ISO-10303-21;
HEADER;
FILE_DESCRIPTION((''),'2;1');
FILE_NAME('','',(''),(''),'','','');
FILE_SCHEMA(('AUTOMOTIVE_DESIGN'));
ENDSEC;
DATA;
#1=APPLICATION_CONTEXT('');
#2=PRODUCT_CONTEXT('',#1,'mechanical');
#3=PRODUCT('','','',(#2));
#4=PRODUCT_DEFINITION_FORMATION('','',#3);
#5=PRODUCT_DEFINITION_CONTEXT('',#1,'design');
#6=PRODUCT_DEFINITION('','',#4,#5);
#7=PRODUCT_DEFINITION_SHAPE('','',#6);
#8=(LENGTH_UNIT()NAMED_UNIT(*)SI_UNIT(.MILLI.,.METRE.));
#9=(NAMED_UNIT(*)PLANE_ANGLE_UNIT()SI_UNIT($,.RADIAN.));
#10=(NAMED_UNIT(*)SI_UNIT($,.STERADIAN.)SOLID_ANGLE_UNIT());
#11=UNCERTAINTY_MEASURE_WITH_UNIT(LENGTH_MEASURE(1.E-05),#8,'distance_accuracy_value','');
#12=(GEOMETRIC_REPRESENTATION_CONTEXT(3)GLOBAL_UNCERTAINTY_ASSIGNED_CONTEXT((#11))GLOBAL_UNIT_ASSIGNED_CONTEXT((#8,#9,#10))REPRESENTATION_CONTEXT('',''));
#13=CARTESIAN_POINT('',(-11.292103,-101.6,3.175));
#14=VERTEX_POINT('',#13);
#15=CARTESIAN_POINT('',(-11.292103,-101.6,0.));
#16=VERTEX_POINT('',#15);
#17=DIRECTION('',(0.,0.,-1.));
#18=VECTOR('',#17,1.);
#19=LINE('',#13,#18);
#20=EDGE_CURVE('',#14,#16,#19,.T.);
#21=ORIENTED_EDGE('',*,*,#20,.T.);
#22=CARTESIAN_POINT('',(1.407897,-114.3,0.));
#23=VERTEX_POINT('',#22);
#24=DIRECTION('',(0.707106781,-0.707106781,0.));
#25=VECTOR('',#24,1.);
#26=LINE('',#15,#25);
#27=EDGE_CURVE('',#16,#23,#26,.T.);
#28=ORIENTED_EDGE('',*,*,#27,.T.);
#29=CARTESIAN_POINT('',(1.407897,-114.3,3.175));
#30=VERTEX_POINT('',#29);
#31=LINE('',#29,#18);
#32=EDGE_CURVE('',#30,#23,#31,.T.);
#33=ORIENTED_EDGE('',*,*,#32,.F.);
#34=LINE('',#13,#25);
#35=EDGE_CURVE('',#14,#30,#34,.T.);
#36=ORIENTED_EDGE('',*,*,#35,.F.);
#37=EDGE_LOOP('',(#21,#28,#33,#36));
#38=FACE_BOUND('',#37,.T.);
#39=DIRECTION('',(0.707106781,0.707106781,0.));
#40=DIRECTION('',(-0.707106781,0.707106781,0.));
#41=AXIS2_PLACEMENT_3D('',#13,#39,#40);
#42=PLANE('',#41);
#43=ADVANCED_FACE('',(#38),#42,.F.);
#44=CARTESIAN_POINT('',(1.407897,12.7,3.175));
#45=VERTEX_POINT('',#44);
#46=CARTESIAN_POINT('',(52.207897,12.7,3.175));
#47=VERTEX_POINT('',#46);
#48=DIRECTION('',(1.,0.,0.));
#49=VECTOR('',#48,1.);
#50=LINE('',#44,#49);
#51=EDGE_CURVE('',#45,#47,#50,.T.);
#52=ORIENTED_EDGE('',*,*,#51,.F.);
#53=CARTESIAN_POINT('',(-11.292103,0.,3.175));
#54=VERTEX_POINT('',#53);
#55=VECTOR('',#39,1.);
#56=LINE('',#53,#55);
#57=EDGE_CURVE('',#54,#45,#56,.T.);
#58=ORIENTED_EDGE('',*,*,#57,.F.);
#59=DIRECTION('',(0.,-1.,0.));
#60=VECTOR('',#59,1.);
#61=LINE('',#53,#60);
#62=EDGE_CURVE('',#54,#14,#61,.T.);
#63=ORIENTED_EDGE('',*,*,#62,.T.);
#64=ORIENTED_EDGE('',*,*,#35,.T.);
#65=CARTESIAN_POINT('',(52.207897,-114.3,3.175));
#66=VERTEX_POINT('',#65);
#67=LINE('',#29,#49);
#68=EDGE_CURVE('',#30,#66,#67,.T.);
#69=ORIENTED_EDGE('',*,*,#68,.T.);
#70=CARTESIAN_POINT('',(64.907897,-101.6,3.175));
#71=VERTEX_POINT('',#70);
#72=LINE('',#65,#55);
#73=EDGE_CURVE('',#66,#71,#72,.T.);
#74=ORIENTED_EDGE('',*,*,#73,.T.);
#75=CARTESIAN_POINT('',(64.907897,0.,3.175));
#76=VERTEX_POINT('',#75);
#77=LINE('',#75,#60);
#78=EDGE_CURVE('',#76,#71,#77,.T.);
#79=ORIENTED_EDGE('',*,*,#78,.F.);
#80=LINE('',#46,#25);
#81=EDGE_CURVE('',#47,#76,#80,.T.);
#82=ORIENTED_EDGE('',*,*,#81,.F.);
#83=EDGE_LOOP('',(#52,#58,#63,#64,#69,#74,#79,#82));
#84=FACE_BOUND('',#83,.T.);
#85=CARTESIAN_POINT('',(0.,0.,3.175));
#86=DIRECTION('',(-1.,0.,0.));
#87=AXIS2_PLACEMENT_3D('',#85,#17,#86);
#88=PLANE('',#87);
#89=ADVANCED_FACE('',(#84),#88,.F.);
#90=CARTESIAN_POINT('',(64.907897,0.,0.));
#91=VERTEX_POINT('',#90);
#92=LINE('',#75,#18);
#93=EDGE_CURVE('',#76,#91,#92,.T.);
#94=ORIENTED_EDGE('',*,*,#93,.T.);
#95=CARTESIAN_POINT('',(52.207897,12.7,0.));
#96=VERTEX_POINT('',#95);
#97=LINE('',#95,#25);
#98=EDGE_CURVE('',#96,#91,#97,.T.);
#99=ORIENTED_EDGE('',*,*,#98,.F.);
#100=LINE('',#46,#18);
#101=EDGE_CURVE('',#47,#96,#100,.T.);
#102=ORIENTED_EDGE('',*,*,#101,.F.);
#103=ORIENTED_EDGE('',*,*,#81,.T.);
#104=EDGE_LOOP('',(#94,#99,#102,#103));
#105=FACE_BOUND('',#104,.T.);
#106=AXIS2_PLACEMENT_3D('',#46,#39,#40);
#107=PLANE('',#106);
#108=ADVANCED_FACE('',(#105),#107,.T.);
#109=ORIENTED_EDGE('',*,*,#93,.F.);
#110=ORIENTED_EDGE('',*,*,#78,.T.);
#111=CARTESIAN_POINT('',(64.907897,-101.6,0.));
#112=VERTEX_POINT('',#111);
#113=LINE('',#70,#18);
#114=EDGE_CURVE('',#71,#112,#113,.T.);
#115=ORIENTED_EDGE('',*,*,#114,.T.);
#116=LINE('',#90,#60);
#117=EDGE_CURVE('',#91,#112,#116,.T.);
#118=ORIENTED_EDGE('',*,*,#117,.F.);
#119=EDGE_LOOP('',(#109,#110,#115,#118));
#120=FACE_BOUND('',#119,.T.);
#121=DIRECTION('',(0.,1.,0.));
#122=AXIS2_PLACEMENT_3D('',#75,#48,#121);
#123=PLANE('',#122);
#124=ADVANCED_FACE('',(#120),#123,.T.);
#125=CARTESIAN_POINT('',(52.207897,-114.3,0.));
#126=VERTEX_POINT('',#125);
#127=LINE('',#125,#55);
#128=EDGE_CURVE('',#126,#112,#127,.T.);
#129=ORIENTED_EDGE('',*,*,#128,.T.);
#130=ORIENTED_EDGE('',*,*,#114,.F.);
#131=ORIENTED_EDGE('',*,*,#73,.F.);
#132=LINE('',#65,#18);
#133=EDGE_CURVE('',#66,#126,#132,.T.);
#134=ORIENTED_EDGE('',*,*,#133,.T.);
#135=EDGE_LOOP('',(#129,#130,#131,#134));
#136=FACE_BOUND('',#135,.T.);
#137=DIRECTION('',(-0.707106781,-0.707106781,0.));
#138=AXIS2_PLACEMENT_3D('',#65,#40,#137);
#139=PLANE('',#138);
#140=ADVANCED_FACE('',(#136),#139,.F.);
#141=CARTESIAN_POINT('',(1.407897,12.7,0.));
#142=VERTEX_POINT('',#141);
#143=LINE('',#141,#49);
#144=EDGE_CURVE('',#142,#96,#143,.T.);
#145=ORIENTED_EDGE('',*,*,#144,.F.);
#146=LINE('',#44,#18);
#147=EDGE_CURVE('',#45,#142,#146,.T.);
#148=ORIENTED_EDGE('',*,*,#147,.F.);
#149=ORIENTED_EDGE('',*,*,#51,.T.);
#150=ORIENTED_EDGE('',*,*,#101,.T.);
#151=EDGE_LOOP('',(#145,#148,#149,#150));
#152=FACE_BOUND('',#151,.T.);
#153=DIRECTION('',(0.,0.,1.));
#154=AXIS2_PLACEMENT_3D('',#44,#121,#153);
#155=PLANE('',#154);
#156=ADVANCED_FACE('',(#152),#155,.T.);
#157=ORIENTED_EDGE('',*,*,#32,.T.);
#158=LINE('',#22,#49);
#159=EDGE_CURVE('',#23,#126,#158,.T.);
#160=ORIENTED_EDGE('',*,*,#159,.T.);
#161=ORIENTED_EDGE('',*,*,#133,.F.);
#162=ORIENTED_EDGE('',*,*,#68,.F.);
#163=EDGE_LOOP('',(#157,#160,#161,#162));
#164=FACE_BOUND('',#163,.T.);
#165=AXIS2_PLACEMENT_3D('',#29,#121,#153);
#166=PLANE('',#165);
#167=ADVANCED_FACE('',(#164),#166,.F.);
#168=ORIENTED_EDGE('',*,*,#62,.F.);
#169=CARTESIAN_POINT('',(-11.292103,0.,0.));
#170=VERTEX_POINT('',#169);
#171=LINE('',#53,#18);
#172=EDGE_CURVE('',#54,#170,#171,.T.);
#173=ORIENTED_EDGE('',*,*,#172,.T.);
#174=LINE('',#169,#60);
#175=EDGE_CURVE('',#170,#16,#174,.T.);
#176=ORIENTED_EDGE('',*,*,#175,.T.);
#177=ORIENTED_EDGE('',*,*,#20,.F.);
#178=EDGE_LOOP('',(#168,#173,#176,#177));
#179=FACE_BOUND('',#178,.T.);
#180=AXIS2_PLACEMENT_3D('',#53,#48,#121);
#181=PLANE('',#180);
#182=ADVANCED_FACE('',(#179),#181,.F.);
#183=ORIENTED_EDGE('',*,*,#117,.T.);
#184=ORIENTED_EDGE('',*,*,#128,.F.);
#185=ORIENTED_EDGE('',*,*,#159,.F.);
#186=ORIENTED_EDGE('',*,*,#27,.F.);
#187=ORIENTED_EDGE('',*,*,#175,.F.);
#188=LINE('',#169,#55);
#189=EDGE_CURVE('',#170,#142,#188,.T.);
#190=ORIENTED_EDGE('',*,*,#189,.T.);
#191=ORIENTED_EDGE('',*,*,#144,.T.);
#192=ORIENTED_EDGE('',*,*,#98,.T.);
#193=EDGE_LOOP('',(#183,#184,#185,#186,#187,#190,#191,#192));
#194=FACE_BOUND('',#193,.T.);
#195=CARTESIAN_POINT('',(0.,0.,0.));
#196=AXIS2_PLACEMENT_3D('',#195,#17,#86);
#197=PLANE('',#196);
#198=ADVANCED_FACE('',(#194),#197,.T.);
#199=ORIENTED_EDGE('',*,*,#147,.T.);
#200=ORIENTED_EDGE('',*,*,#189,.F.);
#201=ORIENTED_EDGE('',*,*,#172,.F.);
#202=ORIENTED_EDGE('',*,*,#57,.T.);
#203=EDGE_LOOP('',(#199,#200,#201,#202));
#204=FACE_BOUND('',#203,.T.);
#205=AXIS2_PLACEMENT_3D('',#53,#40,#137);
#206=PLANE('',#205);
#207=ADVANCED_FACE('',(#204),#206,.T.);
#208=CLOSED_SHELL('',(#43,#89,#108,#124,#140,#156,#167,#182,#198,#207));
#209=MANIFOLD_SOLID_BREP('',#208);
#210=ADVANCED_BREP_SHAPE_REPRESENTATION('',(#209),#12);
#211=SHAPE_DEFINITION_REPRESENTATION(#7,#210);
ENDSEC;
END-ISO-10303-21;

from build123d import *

# Parameters (mm, degrees)
BOSS_EXTRUDE1_DEPTH = 3.175


with BuildPart() as part:
    # Sketch1 → Boss-Extrude1 (new body)
    with BuildSketch(Plane.XY):
        Polygon((-11.292103148, 0), (1.407896852, 12.7), (52.207896852, 12.7), (64.907896852, 0), (64.907896852, -101.6), (52.207896852, -114.3), (1.407896852, -114.3), (-11.292103148, -101.6), align=None)
    extrude(amount=BOSS_EXTRUDE1_DEPTH)


solid = part.part
